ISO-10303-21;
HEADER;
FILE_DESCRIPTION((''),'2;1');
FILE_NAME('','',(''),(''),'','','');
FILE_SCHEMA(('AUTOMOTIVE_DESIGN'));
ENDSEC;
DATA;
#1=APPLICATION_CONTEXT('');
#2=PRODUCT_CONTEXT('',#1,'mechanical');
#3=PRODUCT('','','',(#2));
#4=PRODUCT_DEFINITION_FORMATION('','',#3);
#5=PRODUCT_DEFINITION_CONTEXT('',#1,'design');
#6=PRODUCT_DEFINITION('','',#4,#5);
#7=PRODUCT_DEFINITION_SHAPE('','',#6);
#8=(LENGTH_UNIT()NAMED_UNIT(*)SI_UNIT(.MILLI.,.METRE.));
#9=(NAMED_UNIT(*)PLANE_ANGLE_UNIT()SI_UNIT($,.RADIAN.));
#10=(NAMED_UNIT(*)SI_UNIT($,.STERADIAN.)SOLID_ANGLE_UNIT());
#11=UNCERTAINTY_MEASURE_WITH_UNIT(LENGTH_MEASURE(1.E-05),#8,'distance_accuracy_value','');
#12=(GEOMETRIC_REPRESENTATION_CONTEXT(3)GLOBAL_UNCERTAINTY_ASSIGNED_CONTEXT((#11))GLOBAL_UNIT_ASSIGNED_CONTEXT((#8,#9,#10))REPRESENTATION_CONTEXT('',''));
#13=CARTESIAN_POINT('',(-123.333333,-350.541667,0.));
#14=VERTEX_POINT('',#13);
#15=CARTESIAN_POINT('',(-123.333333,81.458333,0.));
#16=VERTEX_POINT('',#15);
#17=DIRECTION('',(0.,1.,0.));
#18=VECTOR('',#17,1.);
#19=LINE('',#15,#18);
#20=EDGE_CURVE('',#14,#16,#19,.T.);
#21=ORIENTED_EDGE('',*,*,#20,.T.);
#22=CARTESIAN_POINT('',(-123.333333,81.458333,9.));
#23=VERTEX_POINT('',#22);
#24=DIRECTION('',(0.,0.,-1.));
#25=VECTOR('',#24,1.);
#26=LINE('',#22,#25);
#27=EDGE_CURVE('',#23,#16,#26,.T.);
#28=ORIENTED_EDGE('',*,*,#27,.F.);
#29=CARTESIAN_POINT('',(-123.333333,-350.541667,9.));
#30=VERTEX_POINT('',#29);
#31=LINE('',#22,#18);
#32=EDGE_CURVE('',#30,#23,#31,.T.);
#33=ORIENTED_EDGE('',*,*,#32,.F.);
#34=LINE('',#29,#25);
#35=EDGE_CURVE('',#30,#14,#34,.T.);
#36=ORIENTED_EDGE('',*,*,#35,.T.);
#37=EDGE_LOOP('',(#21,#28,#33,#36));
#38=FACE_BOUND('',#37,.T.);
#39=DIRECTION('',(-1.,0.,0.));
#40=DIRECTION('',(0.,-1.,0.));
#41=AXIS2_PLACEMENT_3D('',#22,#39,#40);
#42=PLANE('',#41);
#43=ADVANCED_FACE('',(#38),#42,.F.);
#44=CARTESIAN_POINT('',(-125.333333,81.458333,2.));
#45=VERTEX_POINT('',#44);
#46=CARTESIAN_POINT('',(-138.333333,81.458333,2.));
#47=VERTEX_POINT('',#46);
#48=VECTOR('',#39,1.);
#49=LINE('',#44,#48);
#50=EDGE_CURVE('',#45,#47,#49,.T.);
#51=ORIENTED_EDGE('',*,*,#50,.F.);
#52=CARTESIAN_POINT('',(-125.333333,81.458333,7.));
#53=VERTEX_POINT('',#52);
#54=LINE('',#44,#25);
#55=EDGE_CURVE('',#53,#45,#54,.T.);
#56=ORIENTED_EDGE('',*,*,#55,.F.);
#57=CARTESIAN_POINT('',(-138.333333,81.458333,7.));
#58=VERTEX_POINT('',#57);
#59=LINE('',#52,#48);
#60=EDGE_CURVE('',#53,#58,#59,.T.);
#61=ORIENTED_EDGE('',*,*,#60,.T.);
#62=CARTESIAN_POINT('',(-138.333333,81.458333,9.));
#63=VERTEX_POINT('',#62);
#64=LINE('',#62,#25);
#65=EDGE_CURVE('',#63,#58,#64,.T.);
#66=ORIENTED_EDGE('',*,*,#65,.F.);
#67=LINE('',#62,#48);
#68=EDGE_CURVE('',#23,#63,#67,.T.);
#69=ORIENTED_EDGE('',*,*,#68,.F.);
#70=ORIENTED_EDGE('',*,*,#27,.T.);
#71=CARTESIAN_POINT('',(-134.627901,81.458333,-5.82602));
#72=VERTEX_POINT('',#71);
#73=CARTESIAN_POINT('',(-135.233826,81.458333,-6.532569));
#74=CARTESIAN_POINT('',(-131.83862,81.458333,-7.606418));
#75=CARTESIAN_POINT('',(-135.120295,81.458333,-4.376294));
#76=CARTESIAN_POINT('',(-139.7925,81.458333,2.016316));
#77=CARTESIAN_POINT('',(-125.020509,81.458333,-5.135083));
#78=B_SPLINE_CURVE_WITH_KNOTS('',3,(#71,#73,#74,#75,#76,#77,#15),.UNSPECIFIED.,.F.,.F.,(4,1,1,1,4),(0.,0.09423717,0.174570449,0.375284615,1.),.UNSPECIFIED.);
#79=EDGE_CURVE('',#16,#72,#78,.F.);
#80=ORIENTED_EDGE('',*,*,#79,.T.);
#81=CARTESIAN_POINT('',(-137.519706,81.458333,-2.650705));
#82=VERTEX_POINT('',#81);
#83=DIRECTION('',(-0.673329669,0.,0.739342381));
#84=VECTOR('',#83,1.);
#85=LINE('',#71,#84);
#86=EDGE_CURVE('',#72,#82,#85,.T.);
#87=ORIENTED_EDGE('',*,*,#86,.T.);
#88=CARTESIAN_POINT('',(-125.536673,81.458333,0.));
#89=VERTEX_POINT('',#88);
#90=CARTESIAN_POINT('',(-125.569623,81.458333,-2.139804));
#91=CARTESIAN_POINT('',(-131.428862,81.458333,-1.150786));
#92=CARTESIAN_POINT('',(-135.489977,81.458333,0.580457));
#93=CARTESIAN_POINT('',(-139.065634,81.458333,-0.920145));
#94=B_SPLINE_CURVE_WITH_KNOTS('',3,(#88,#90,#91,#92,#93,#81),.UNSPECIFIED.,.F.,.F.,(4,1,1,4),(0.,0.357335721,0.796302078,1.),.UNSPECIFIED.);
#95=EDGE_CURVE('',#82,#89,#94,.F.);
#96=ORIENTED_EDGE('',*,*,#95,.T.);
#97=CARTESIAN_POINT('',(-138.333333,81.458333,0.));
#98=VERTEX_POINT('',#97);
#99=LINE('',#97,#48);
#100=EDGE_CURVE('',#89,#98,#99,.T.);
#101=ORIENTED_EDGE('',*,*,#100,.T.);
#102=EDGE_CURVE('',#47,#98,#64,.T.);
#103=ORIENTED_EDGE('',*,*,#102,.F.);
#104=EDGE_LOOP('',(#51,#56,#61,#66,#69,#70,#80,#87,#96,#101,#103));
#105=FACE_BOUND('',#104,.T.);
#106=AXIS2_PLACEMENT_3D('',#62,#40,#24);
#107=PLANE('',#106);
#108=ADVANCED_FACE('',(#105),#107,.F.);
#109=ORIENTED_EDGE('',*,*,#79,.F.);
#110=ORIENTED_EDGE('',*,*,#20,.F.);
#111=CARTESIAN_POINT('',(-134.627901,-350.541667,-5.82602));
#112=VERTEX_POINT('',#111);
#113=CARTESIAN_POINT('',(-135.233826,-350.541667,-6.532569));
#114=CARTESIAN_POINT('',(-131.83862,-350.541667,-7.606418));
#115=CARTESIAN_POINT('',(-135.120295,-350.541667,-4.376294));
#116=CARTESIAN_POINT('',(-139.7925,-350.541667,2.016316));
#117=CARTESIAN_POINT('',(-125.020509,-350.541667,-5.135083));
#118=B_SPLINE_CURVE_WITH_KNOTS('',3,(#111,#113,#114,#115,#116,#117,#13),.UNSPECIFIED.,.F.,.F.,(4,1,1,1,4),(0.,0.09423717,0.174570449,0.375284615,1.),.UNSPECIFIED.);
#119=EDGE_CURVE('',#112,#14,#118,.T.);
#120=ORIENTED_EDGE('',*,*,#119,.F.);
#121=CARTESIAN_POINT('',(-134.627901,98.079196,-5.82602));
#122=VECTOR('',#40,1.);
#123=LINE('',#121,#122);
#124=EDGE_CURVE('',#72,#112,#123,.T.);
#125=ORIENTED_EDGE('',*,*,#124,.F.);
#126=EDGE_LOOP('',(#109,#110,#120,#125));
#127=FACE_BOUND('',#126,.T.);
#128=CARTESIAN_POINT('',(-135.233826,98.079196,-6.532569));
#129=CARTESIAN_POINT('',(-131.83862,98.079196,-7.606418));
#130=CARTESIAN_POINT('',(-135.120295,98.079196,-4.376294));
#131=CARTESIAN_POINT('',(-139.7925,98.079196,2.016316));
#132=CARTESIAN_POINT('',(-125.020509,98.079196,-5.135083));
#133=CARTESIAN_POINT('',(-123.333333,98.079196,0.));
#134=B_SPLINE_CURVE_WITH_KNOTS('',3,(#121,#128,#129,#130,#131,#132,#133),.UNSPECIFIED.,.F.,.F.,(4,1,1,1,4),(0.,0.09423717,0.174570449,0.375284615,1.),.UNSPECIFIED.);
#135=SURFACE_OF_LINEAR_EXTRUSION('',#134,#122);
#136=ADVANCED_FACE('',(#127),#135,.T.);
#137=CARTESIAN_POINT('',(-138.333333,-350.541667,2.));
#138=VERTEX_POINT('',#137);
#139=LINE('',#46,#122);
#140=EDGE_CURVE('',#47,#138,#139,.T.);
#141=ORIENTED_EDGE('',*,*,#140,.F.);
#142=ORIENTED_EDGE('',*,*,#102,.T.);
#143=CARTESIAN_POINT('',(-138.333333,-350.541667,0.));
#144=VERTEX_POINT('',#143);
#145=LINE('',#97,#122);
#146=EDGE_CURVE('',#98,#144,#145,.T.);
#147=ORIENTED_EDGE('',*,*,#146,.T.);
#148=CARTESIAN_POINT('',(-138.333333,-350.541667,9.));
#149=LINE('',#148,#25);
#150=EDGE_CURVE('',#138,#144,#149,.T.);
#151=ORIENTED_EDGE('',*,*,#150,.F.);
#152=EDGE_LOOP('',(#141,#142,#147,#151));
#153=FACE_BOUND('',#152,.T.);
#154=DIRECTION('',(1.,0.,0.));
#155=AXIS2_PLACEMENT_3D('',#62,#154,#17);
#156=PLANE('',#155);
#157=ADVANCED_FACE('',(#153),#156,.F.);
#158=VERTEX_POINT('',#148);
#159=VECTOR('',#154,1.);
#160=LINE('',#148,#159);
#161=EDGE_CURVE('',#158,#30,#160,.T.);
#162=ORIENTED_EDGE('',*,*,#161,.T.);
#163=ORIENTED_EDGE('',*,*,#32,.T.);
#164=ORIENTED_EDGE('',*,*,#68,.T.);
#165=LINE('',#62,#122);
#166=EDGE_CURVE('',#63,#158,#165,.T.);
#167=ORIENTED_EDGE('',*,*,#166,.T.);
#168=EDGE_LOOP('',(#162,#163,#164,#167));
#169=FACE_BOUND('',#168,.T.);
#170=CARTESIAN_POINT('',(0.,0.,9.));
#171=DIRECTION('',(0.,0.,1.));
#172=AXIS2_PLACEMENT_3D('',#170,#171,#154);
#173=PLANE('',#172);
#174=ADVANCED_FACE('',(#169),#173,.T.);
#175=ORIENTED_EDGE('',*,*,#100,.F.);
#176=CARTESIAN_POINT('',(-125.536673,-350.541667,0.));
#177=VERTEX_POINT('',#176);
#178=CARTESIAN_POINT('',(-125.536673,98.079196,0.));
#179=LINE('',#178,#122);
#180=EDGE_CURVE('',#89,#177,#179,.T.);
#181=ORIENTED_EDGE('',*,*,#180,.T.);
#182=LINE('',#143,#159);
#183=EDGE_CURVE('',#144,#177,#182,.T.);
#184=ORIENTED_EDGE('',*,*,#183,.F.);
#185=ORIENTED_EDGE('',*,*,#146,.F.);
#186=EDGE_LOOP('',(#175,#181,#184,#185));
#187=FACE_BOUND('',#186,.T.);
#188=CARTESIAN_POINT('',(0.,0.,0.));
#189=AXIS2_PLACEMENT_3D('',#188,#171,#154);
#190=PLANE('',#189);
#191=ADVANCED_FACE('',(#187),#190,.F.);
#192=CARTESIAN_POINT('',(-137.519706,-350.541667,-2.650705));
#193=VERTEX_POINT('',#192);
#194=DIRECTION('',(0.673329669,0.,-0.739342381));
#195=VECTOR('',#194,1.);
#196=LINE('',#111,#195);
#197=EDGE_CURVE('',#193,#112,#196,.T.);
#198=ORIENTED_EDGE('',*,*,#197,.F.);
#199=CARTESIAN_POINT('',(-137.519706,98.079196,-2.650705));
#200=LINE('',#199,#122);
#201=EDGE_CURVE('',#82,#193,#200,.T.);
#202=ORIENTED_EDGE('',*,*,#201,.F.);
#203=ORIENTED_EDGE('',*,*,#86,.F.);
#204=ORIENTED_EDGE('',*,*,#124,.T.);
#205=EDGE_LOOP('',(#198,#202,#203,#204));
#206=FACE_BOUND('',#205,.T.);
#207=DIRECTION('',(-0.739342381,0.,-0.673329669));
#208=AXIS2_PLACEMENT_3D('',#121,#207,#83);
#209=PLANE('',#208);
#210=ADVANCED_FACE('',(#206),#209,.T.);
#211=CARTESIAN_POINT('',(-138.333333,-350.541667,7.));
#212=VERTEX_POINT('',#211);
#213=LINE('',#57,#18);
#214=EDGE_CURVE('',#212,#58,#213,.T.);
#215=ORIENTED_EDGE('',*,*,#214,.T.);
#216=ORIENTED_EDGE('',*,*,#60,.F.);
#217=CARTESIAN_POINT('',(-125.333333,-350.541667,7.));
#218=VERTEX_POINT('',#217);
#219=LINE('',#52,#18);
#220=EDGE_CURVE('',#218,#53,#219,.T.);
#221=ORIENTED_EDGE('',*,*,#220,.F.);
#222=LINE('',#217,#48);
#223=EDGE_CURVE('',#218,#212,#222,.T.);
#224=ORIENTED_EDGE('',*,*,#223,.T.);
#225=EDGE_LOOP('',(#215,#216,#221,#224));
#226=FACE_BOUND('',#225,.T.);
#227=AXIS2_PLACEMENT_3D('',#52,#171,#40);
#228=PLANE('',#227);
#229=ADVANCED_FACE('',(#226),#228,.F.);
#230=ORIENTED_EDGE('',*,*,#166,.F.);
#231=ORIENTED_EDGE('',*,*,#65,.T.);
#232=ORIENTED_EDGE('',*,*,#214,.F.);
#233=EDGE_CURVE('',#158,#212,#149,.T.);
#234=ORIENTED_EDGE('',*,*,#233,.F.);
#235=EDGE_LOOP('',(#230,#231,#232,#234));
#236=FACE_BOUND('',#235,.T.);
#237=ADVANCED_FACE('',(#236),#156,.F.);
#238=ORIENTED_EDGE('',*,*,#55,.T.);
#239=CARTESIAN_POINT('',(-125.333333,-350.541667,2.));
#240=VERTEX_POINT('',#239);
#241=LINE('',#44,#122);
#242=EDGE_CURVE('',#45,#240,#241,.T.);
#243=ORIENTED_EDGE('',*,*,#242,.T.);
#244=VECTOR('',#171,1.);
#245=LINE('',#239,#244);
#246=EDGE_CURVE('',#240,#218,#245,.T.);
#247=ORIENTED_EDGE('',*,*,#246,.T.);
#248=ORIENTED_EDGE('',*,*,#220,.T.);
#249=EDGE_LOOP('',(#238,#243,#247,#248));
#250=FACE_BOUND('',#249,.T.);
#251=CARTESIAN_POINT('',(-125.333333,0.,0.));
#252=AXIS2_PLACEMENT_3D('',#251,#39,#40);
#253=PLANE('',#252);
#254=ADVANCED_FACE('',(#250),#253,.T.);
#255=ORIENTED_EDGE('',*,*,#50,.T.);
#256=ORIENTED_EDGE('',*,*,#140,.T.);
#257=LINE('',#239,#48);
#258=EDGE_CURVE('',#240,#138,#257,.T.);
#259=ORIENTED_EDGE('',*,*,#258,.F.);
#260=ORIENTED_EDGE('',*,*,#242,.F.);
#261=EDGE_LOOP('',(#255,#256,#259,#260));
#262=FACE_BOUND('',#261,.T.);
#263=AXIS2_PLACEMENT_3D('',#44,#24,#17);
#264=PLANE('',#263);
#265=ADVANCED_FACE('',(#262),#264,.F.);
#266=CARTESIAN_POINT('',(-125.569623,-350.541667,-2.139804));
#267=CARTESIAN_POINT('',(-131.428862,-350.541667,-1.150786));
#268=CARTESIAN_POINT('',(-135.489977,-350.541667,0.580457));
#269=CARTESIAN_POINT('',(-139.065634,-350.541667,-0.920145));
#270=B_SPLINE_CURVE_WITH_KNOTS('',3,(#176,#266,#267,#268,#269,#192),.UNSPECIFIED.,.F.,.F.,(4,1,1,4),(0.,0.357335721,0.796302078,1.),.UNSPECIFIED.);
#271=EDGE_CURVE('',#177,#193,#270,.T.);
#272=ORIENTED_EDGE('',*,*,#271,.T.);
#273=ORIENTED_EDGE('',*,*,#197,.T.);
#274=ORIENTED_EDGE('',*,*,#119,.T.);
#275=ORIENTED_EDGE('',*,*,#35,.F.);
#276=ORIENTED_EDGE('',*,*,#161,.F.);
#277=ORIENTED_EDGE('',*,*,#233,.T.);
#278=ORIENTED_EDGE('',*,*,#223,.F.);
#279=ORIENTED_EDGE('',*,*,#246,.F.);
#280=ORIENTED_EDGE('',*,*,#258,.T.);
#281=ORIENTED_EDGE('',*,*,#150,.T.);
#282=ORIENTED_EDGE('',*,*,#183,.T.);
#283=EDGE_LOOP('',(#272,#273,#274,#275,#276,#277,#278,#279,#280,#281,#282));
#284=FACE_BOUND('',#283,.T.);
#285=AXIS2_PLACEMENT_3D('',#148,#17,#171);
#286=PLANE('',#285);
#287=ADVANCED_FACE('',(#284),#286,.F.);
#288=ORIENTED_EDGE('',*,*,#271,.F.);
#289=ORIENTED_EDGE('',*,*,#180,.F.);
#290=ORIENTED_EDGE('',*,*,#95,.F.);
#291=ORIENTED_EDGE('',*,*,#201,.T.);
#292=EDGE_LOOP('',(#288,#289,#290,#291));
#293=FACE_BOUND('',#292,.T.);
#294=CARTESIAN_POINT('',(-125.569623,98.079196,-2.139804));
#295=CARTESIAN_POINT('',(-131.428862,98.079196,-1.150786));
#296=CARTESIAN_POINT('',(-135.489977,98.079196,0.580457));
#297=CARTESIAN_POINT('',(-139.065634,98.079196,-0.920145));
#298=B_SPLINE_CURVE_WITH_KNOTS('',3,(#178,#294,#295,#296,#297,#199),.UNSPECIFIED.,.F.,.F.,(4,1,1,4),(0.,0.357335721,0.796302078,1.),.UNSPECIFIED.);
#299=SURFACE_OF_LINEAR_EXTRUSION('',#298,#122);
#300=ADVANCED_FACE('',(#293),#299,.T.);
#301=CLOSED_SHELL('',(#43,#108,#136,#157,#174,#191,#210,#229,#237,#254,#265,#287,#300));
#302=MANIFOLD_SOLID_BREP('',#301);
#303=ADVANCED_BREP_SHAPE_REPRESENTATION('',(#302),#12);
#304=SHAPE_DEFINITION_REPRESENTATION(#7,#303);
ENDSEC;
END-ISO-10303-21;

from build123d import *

# Parameters (mm, degrees)
SKETCH2_W           = 15
SKETCH2_H           = 432
BOSS_EXTRUDE1_DEPTH = 9
SKETCH3_W           = 5
SKETCH3_H           = 432
CUT_EXTRUDE1_DEPTH  = 13
BOSS_EXTRUDE2_DEPTH = 432


with BuildPart() as part:
    # Sketch2 → Boss-Extrude1 (new body)
    with BuildSketch(Plane.XY):
        with Locations((-130.833333333, -134.541666667)):
            Rectangle(SKETCH2_W, SKETCH2_H)
    extrude(amount=BOSS_EXTRUDE1_DEPTH)

    # Sketch3 → Cut-Extrude1 (cut)
    with BuildSketch(Plane.ZY.offset(138.333333333)):
        with Locations((4.5, -134.541666667)):
            Rectangle(SKETCH3_W, SKETCH3_H)
    extrude(amount=-CUT_EXTRUDE1_DEPTH, mode=Mode.SUBTRACT)

    # Sketch4 → Boss-Extrude2 (add)
    with BuildSketch(Plane(origin=(0, -350.541666667, 0), x_dir=(-1, 0, 0), z_dir=(0, -1, 0))):
        with BuildLine():
            Line((134.627901386, 5.826019791), (137.519705785, 2.650705157))
            add(Edge.make_bspline(
                [(137.519705785, 2.650705157), (139.065634243, 0.920144905), (135.489976746, -0.58045724), (131.42886231, 1.150786205), (125.569623368, 2.139804109), (125.536673176, 0)],
                knots=[0, 0, 0, 0, 0.203697922, 0.642664279, 1, 1, 1, 1], degree=3))
            Line((125.536673176, 0), (123.333333333, 0))
            add(Edge.make_bspline(
                [(123.333333333, 0), (125.020509015, 5.135082527), (139.792499923, -2.01631582), (135.120294759, 4.376293852), (131.838619773, 7.606418332), (135.233825794, 6.532568663), (134.627901386, 5.826019791)],
                knots=[0, 0, 0, 0, 0.624715385, 0.825429551, 0.90576283, 1, 1, 1, 1], degree=3))
        make_face()
    extrude(amount=-BOSS_EXTRUDE2_DEPTH)


solid = part.part
